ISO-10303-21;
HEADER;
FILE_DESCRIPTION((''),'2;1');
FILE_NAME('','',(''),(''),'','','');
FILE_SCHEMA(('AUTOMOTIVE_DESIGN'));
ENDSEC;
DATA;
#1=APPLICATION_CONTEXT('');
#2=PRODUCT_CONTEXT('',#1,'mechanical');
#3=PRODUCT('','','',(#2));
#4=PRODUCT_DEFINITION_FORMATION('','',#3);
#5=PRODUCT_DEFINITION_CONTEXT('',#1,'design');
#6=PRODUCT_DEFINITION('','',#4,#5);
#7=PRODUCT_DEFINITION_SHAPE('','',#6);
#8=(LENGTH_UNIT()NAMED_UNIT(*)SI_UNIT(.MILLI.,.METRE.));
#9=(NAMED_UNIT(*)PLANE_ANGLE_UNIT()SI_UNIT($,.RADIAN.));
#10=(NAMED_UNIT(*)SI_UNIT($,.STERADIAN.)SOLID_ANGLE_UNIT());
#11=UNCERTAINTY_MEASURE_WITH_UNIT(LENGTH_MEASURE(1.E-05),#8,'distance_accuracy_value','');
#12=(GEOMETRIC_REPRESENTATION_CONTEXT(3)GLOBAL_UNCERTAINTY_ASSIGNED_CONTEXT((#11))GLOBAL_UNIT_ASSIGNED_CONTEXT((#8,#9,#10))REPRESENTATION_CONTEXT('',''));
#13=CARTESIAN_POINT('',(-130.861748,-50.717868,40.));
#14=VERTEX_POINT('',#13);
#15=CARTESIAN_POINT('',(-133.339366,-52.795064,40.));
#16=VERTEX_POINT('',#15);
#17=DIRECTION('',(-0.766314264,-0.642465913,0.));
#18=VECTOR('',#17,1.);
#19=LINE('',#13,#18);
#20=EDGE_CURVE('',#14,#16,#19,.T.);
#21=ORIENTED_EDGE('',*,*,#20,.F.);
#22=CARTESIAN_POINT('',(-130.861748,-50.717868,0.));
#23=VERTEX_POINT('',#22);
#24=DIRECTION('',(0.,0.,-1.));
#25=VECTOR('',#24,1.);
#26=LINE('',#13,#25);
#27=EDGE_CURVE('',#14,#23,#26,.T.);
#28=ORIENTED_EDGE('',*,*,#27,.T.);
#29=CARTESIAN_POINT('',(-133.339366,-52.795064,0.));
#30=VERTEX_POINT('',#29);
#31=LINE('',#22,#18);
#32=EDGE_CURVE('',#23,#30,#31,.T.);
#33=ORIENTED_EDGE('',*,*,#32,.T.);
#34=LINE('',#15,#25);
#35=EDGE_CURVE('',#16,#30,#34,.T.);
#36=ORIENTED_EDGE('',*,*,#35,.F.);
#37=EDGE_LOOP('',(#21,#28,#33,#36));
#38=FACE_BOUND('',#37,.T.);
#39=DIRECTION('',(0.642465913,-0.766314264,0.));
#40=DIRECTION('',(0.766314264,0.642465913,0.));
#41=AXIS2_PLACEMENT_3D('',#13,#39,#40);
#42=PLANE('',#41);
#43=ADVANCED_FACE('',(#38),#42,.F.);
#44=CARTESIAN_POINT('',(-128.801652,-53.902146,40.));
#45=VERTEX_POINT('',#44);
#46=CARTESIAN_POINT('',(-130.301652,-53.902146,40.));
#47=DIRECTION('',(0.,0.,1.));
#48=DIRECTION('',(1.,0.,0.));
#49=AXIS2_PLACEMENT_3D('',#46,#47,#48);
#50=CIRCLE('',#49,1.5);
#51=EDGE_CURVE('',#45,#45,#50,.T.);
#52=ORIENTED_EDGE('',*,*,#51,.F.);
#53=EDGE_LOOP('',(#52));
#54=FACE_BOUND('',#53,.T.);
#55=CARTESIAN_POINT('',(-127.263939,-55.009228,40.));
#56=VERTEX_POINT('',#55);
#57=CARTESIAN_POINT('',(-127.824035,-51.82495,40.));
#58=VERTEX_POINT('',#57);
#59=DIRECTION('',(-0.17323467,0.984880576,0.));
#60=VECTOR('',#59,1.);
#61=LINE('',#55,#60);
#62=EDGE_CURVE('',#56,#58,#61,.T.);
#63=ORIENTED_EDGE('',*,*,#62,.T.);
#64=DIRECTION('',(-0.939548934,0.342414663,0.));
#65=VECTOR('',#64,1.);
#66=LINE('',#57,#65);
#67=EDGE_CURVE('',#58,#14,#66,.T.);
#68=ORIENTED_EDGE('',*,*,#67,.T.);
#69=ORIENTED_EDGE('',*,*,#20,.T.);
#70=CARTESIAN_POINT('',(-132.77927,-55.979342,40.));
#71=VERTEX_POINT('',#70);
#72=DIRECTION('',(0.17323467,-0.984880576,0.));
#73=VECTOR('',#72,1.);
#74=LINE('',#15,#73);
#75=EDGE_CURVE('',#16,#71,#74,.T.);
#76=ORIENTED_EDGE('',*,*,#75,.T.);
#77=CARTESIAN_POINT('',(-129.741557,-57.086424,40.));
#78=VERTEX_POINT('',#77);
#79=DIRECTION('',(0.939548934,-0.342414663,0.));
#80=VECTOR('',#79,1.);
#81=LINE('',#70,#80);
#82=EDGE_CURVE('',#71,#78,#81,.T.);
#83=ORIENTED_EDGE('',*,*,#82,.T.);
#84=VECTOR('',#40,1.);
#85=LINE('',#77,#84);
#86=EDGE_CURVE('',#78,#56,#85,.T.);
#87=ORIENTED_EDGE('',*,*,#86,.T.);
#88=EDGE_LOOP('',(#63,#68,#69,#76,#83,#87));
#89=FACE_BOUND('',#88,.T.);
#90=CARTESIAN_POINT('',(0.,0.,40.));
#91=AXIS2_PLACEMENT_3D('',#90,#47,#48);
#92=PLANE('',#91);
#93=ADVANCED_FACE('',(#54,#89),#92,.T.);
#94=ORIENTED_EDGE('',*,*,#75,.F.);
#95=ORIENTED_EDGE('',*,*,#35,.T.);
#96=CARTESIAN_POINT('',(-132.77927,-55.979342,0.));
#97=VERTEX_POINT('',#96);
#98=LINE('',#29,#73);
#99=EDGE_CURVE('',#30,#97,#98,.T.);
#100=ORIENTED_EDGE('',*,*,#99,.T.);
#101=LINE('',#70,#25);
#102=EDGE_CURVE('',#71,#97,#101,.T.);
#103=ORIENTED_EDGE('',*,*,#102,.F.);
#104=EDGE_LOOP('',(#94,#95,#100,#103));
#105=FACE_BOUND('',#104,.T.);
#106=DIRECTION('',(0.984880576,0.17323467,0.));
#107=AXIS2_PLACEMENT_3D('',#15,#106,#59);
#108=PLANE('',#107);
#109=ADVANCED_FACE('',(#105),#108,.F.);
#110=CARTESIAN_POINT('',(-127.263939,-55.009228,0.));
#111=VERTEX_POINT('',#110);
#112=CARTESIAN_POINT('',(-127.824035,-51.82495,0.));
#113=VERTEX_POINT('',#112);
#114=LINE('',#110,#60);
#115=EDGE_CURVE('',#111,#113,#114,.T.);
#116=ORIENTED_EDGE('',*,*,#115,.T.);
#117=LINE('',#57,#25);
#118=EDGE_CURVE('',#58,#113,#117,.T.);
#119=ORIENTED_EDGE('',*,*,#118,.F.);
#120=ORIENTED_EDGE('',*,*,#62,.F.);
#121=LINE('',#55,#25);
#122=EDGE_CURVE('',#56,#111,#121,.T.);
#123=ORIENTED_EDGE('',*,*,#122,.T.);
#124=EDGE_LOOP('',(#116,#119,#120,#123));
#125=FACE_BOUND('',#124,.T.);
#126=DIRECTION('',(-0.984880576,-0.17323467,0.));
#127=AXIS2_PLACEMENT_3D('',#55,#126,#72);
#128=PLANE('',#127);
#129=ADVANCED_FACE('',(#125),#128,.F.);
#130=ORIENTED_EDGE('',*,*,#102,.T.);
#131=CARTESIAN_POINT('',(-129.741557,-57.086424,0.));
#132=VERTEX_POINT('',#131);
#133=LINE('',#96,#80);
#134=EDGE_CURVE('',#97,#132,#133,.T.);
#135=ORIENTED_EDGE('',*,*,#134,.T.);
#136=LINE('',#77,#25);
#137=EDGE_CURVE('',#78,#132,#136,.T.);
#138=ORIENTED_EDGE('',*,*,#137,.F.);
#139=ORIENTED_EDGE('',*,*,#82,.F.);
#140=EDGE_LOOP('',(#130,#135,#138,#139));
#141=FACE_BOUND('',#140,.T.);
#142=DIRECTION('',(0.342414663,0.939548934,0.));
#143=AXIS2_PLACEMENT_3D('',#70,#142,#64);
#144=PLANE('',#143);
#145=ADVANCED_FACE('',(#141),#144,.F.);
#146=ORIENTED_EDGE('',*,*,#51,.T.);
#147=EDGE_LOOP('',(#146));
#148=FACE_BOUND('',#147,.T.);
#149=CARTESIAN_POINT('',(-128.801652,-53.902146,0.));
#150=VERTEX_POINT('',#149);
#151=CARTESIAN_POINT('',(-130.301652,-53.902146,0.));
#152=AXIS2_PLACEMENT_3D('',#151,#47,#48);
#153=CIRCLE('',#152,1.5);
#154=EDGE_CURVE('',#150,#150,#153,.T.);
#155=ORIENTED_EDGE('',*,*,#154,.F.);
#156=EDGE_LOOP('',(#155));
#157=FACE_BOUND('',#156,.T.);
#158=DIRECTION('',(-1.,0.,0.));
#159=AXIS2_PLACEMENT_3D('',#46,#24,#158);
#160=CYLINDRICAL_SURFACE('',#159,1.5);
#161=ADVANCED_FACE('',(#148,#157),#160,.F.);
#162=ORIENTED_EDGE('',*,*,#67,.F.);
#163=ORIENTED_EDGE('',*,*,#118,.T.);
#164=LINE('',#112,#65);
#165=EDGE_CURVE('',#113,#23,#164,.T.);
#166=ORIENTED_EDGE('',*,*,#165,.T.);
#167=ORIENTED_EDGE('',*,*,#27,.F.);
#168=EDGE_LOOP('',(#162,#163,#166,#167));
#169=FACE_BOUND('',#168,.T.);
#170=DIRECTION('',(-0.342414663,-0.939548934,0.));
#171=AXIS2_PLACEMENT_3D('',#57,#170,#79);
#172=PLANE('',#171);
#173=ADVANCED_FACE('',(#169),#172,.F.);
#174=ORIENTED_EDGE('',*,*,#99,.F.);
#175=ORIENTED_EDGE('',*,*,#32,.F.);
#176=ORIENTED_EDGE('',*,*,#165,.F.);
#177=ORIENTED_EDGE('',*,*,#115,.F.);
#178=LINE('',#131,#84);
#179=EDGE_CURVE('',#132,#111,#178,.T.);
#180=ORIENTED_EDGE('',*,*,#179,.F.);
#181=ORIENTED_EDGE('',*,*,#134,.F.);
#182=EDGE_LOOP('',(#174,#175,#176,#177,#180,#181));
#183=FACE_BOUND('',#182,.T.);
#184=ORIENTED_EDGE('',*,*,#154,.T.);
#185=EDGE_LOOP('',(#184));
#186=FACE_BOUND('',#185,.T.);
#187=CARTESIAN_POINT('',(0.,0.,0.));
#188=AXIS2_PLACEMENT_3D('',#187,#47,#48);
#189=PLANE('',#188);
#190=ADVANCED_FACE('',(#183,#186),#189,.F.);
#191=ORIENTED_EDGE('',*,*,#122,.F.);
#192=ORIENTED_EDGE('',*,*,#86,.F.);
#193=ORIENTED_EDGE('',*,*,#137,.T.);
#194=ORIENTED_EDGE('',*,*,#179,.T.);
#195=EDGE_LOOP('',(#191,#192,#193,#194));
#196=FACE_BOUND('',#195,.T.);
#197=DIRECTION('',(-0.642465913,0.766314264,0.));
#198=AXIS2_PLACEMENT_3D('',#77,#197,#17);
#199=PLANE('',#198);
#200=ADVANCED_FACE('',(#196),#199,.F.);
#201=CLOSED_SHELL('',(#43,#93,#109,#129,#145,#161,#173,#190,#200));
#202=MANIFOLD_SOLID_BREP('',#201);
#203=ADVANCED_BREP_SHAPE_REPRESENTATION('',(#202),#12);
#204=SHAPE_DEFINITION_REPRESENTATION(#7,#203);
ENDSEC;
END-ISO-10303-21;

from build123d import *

# Parameters (mm, degrees)
SKETCH_1_R      = 1.5
EXTRUDE_1_DEPTH = 40


with BuildPart() as part:
    # 草图1 → 凸台-拉伸1 (new body)
    with BuildSketch(Plane.XY):
        Polygon((-129.741556691, -57.086424359), (-127.263938912, -55.009228299), (-127.824034578, -51.824950331), (-130.861748025, -50.717868423), (-133.339365804, -52.795064483), (-132.779270137, -55.979342451), align=None)
        with Locations((-130.301652358, -53.902146391)):
            Circle(SKETCH_1_R, mode=Mode.SUBTRACT)
    extrude(amount=EXTRUDE_1_DEPTH)


solid = part.part
